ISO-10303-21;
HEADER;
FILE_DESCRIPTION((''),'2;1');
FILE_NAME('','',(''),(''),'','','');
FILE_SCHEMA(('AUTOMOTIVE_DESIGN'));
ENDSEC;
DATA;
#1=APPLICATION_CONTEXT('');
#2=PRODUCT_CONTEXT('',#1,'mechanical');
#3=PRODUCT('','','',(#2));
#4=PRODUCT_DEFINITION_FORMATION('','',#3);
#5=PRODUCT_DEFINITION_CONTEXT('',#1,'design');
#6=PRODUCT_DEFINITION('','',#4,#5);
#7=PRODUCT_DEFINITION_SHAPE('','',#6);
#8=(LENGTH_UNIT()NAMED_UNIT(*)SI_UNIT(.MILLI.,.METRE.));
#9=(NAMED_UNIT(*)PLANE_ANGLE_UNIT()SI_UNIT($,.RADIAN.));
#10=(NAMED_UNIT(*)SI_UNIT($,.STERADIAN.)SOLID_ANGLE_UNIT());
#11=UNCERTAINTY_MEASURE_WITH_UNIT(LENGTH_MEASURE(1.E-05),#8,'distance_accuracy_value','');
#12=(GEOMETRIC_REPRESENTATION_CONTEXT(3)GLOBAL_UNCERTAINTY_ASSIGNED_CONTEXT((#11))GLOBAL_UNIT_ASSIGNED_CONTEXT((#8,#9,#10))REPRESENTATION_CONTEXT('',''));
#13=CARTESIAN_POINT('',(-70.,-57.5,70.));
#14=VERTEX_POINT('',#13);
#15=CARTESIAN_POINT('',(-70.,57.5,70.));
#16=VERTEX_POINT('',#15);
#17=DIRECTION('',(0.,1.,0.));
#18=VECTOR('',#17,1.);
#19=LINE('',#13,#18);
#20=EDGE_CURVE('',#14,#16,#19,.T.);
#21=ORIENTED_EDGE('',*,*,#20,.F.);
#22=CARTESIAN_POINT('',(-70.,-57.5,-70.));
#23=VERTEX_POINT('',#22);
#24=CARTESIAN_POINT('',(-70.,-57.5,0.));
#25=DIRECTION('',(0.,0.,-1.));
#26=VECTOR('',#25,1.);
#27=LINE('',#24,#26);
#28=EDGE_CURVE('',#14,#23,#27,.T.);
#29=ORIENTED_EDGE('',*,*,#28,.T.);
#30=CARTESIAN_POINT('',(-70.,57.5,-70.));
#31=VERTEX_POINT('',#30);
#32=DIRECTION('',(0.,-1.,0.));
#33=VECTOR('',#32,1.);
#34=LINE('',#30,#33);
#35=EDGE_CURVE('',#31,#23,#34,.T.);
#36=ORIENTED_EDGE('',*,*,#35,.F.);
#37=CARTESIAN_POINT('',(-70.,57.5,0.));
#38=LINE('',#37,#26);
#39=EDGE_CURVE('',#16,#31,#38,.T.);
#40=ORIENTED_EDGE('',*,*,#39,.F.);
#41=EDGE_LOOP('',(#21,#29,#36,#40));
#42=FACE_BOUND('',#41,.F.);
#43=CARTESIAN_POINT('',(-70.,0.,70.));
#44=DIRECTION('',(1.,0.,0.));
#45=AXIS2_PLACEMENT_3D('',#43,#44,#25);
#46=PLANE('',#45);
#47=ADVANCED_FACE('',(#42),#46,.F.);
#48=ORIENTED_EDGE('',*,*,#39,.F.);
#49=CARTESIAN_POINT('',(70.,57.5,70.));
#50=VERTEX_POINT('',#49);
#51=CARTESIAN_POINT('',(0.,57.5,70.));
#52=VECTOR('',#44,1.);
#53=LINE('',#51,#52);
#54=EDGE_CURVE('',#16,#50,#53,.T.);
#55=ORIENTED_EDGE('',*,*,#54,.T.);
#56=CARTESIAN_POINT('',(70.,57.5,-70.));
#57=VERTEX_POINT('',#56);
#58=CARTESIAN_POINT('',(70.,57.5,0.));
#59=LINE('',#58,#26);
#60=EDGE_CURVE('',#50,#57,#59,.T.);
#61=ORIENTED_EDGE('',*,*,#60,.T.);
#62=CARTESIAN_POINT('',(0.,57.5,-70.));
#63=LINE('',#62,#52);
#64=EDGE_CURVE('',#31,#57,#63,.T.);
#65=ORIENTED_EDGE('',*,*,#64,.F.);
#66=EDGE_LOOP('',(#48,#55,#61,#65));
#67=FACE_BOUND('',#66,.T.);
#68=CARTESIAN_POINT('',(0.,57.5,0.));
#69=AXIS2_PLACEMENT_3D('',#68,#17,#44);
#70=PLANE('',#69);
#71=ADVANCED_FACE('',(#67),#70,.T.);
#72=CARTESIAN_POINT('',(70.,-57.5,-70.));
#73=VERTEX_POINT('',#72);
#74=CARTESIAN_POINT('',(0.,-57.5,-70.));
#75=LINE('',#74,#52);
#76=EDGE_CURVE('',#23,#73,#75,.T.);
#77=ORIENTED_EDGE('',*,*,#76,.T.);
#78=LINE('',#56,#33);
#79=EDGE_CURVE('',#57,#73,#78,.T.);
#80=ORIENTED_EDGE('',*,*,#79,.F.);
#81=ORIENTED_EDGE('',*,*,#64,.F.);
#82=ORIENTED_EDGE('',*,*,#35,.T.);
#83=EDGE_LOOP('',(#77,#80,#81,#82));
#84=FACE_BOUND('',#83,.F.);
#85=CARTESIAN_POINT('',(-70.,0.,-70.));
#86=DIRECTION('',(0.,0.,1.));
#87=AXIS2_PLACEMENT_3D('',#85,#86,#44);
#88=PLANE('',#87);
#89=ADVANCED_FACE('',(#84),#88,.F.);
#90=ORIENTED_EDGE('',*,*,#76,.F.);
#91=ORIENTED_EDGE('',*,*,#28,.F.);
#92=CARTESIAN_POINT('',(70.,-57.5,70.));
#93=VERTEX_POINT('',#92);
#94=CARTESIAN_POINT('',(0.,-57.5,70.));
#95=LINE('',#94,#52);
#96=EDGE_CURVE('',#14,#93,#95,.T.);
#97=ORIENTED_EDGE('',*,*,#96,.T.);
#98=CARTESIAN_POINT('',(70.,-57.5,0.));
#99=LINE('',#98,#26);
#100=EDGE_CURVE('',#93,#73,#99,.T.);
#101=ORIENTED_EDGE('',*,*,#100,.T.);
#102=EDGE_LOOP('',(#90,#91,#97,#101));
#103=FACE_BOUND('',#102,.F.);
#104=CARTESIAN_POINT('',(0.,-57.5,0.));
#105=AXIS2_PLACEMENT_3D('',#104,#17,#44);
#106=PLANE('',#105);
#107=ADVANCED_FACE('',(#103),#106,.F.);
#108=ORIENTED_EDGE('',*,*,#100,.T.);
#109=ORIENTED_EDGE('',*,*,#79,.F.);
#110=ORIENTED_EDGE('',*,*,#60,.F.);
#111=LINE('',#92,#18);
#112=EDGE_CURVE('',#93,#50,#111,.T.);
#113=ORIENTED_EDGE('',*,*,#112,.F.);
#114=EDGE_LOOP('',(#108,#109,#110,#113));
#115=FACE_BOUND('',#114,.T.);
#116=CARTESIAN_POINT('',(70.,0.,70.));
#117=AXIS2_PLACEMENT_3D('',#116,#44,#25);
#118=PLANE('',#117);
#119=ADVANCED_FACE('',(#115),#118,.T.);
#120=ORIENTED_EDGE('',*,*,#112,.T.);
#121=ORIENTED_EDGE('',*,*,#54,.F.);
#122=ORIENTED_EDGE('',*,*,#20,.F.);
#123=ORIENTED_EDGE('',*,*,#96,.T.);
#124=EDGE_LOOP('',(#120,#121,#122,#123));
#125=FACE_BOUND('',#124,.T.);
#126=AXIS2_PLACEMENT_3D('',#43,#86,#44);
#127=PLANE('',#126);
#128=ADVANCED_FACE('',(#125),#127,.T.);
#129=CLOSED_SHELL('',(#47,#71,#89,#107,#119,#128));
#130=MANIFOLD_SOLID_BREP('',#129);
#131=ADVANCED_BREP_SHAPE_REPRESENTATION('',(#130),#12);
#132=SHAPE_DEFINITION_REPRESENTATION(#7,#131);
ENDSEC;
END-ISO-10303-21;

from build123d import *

# Parameters (mm, degrees)
SKETCH_1_W      = 140
SKETCH_1_H      = 140
EXTRUDE_1_DEPTH = 57.5


with BuildPart() as part:
    # 草图1 → 凸台-拉伸1 (new body, symmetric)
    with BuildSketch(Plane(origin=(0, 0, 0), x_dir=(1, 0, 0), z_dir=(0, 1, 0))):
        Rectangle(SKETCH_1_W, SKETCH_1_H)
    extrude(amount=EXTRUDE_1_DEPTH, both=True)


solid = part.part
